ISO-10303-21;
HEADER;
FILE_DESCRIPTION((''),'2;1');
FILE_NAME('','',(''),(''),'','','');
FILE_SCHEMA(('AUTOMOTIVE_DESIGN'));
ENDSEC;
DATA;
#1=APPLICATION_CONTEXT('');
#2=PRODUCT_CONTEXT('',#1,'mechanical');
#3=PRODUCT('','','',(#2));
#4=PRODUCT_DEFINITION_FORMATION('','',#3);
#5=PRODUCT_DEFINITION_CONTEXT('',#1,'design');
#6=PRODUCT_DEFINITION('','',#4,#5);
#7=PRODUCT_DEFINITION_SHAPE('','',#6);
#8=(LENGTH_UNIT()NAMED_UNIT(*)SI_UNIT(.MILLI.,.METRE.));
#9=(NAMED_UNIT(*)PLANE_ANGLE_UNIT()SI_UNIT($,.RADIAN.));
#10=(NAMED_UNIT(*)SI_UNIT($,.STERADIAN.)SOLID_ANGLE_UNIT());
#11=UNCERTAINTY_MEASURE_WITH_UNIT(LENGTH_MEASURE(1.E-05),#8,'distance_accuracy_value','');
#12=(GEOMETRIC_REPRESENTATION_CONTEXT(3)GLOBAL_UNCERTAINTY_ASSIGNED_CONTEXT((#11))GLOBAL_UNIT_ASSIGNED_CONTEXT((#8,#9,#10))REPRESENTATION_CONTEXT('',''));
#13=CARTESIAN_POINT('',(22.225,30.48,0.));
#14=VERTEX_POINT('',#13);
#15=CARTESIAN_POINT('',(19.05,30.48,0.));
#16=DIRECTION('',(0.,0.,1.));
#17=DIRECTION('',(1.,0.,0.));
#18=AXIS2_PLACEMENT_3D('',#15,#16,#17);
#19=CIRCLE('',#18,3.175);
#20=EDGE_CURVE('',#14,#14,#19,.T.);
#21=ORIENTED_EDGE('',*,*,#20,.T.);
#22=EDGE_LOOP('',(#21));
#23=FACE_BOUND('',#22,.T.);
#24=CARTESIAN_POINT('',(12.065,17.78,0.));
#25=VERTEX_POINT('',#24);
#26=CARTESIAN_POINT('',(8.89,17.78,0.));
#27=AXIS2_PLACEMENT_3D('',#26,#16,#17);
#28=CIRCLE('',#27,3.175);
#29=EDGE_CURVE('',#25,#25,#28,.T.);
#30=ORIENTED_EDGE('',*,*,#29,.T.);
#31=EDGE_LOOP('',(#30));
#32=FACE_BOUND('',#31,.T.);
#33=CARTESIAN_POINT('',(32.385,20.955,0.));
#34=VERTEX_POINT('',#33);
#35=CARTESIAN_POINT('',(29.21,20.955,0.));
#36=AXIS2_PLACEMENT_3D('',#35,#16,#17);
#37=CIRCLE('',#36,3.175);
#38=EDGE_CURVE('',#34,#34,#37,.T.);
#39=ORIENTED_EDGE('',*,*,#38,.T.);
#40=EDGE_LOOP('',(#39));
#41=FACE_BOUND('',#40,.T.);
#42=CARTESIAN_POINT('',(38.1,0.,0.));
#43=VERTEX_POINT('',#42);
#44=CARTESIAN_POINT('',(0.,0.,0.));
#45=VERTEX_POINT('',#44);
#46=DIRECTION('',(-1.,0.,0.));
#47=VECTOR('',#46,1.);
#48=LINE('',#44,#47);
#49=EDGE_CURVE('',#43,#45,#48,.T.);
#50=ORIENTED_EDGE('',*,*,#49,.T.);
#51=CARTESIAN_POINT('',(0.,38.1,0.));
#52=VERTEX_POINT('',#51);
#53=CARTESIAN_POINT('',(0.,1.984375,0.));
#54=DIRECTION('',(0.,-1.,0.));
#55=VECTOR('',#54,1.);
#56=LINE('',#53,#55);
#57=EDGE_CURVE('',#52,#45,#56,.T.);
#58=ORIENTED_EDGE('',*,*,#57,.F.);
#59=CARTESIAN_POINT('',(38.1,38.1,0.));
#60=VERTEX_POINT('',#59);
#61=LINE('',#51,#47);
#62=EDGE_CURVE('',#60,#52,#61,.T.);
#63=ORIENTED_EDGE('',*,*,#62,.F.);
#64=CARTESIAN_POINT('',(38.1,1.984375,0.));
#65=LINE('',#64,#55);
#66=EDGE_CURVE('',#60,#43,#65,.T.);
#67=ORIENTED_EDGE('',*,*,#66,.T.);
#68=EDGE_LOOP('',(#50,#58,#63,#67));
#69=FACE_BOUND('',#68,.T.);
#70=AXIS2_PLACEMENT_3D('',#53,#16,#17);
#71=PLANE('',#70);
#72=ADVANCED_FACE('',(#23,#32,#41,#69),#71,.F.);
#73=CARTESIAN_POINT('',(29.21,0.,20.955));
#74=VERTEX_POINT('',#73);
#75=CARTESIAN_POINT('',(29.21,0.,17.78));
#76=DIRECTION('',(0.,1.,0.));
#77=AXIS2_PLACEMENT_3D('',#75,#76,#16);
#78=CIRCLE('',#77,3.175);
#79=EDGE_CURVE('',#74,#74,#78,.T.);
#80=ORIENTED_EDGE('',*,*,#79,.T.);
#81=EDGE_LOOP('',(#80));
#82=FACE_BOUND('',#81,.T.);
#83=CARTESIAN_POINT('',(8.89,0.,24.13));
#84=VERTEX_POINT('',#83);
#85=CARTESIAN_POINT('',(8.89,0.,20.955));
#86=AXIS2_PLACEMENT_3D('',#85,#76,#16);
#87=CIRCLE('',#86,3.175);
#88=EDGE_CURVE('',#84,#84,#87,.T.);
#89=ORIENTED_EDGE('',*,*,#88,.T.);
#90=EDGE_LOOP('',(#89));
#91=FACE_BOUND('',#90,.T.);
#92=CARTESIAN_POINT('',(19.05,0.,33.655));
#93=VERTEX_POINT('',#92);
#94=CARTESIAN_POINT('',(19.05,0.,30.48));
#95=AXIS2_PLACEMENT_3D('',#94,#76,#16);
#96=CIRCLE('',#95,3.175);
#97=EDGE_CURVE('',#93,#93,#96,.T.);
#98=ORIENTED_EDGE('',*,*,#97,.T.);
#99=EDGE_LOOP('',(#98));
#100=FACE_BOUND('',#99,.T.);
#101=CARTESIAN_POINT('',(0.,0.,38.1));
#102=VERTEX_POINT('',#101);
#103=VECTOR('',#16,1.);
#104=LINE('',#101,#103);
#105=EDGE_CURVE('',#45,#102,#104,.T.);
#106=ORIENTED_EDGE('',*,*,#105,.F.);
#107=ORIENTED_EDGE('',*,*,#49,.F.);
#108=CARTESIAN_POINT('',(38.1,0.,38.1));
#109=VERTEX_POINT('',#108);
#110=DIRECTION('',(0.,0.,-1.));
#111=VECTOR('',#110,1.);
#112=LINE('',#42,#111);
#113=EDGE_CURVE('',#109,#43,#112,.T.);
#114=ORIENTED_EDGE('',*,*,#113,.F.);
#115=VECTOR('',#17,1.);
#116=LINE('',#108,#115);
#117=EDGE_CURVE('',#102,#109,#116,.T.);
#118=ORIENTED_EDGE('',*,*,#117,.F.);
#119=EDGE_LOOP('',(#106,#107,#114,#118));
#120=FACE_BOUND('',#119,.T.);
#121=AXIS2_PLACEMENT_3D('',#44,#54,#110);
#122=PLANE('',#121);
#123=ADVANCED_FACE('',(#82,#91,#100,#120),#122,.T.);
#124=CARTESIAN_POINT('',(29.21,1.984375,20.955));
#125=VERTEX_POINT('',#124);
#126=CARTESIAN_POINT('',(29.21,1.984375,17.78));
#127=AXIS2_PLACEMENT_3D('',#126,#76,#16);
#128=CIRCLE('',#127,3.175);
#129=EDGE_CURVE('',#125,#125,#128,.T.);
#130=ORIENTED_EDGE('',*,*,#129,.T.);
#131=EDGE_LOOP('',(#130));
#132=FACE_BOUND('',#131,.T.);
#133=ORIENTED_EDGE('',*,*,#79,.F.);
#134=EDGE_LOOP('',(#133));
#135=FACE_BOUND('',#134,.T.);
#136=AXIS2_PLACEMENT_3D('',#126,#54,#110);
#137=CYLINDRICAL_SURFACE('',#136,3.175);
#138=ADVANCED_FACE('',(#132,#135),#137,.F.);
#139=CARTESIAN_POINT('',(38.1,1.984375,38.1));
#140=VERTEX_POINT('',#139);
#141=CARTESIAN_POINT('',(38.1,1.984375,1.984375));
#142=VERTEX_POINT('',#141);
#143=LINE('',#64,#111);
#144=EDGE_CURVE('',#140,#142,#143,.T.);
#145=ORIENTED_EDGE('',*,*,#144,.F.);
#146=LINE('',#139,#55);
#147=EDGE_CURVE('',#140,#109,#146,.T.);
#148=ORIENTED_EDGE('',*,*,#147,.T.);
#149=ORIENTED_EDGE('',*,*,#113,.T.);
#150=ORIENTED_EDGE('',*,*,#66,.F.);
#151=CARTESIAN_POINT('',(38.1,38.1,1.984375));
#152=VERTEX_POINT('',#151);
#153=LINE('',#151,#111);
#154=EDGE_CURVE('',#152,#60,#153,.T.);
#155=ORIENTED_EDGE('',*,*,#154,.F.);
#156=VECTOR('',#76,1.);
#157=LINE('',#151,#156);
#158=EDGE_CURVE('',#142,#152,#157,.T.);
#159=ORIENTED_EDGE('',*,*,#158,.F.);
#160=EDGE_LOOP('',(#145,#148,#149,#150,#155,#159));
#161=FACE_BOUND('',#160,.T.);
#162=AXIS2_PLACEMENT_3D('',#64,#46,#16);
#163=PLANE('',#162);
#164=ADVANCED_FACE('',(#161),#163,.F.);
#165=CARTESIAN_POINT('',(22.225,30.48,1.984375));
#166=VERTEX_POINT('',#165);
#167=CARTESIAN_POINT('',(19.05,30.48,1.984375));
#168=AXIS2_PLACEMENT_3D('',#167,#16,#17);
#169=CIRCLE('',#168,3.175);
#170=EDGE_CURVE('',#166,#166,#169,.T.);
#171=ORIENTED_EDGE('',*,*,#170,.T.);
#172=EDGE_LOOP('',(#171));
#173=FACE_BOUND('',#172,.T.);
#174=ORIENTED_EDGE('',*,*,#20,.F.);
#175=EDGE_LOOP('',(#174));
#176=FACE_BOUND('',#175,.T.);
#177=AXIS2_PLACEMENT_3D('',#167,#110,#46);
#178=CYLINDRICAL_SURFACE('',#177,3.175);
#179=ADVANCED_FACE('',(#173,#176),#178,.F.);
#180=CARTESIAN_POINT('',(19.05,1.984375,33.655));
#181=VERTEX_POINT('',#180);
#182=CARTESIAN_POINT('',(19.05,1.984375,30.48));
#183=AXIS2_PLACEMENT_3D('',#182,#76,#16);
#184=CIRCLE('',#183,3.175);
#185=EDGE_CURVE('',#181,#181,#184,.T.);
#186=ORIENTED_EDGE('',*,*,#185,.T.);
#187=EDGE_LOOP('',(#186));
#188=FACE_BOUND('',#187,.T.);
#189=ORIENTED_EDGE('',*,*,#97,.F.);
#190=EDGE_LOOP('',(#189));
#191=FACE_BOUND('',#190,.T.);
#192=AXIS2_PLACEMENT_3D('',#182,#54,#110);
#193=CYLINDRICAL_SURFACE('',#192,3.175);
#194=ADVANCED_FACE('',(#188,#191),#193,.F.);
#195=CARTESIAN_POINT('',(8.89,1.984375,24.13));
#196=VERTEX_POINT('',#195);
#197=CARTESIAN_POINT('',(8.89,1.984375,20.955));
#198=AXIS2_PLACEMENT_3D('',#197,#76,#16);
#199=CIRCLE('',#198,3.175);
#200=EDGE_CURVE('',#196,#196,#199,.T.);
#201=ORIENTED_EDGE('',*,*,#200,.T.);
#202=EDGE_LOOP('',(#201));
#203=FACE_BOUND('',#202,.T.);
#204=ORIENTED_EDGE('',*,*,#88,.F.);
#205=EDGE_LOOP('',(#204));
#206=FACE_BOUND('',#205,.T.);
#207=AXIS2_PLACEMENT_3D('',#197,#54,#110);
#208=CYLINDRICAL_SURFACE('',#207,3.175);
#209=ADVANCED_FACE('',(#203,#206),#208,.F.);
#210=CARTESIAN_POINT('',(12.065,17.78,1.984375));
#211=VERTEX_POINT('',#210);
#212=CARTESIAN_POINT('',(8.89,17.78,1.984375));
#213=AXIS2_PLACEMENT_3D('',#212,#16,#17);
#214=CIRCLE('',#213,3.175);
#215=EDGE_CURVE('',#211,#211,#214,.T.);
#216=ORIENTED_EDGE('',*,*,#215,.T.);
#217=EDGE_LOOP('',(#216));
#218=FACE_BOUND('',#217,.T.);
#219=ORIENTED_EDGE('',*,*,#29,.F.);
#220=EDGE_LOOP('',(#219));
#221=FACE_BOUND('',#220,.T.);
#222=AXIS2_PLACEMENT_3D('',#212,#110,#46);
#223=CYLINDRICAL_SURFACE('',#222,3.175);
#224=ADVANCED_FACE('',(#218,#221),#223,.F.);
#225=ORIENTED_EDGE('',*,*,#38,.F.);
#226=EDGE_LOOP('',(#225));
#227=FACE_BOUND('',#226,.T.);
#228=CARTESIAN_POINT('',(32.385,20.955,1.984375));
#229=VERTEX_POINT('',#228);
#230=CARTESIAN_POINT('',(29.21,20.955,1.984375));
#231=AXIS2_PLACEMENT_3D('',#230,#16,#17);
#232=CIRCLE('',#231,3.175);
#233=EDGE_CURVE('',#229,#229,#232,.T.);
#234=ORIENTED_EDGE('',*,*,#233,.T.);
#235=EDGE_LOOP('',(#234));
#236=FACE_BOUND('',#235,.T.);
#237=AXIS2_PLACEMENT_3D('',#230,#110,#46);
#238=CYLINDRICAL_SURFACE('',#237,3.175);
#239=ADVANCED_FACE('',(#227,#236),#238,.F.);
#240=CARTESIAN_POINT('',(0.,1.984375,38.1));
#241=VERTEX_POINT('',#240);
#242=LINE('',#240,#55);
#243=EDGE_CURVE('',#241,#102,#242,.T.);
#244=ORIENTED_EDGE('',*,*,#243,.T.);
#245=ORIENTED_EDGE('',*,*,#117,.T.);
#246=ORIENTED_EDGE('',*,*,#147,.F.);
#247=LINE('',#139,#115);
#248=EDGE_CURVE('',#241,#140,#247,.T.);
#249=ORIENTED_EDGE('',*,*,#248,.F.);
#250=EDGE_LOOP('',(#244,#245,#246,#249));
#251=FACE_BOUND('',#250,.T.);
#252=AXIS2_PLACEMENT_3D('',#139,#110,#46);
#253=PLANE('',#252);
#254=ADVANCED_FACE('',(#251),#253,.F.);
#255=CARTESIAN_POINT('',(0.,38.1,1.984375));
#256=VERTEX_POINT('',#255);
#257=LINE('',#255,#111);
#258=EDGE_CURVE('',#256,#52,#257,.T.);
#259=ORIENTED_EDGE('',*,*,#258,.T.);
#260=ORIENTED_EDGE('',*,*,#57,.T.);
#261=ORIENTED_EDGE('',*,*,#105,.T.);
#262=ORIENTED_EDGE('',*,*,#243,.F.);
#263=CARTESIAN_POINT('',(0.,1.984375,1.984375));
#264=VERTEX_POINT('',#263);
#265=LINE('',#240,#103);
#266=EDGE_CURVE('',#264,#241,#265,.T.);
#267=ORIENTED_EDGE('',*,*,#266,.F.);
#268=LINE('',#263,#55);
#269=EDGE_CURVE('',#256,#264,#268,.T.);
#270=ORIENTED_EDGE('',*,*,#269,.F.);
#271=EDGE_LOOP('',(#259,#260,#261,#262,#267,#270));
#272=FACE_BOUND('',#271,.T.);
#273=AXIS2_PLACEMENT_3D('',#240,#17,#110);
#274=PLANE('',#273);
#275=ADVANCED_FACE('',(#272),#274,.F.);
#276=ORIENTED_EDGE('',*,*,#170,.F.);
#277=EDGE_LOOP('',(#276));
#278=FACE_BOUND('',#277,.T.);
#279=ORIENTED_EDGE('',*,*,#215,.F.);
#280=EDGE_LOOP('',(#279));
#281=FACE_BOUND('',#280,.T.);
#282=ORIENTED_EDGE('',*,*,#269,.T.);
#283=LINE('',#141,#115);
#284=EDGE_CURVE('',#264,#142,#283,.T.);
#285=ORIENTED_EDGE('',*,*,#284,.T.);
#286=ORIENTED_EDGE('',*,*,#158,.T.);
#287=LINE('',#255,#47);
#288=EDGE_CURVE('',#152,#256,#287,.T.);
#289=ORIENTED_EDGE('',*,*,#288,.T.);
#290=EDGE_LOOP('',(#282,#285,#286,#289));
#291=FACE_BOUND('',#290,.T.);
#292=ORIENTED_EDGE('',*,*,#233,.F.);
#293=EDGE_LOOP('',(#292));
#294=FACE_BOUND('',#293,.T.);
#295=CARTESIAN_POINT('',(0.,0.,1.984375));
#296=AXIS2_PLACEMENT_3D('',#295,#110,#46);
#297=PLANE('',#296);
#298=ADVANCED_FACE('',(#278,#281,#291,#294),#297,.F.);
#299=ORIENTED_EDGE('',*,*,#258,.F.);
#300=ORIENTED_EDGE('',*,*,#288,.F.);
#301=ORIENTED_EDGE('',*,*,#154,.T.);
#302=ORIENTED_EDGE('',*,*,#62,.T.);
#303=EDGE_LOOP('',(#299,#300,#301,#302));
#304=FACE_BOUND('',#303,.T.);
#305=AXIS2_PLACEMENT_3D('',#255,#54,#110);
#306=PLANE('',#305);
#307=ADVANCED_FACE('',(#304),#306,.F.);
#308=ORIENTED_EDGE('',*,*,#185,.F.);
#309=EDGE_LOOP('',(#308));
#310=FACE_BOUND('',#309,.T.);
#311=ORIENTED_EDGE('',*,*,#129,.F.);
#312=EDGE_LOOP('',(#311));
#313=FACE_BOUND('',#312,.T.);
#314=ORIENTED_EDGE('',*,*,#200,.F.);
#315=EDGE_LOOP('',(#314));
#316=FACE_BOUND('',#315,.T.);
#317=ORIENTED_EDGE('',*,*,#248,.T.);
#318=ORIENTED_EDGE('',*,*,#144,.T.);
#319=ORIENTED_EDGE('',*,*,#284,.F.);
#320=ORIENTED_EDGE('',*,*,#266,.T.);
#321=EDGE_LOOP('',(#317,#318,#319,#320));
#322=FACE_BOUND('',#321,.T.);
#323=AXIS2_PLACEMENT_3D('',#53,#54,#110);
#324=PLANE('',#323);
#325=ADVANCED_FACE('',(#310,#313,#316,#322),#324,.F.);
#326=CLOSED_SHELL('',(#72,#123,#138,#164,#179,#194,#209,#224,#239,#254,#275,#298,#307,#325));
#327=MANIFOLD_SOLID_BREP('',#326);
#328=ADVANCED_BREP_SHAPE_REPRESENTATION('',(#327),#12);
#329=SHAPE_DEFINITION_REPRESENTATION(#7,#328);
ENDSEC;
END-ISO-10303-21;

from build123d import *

# Parameters (mm, degrees)
SKETCH1_W           = 38.1
SKETCH1_H           = 38.1
SKETCH1_R           = 3.175
BOSS_EXTRUDE1_DEPTH = 1.984375
SKETCH2_W           = 38.1
SKETCH2_H           = 36.115625
SKETCH2_R           = 3.175
BOSS_EXTRUDE2_DEPTH = 1.984375


with BuildPart() as part:
    # Sketch1 → Boss-Extrude1 (new body)
    with BuildSketch(Plane(origin=(0, 0, 0), x_dir=(1, 0, 0), z_dir=(0, 1, 0))):
        with Locations((19.05, -19.05)):
            Rectangle(SKETCH1_W, SKETCH1_H)
        with Locations(Location((19.05, -30.48, 0), (0, 0, 270))):
            Circle(SKETCH1_R, mode=Mode.SUBTRACT)
        with Locations(Location((8.89, -20.955, 0), (0, 0, 270))):
            Circle(SKETCH1_R, mode=Mode.SUBTRACT)
        with Locations(Location((29.21, -17.78, 0), (0, 0, 270))):
            Circle(SKETCH1_R, mode=Mode.SUBTRACT)
    extrude(amount=BOSS_EXTRUDE1_DEPTH)

    # Sketch2 → Boss-Extrude2 (add)
    with BuildSketch(Plane.XY):
        with Locations((19.05, 20.0421875)):
            Rectangle(SKETCH2_W, SKETCH2_H)
        with Locations((19.05, 30.48)):
            Circle(SKETCH2_R, mode=Mode.SUBTRACT)
        with Locations((8.89, 17.78)):
            Circle(SKETCH2_R, mode=Mode.SUBTRACT)
        with Locations((29.21, 20.955)):
            Circle(SKETCH2_R, mode=Mode.SUBTRACT)
    extrude(amount=BOSS_EXTRUDE2_DEPTH)


solid = part.part
